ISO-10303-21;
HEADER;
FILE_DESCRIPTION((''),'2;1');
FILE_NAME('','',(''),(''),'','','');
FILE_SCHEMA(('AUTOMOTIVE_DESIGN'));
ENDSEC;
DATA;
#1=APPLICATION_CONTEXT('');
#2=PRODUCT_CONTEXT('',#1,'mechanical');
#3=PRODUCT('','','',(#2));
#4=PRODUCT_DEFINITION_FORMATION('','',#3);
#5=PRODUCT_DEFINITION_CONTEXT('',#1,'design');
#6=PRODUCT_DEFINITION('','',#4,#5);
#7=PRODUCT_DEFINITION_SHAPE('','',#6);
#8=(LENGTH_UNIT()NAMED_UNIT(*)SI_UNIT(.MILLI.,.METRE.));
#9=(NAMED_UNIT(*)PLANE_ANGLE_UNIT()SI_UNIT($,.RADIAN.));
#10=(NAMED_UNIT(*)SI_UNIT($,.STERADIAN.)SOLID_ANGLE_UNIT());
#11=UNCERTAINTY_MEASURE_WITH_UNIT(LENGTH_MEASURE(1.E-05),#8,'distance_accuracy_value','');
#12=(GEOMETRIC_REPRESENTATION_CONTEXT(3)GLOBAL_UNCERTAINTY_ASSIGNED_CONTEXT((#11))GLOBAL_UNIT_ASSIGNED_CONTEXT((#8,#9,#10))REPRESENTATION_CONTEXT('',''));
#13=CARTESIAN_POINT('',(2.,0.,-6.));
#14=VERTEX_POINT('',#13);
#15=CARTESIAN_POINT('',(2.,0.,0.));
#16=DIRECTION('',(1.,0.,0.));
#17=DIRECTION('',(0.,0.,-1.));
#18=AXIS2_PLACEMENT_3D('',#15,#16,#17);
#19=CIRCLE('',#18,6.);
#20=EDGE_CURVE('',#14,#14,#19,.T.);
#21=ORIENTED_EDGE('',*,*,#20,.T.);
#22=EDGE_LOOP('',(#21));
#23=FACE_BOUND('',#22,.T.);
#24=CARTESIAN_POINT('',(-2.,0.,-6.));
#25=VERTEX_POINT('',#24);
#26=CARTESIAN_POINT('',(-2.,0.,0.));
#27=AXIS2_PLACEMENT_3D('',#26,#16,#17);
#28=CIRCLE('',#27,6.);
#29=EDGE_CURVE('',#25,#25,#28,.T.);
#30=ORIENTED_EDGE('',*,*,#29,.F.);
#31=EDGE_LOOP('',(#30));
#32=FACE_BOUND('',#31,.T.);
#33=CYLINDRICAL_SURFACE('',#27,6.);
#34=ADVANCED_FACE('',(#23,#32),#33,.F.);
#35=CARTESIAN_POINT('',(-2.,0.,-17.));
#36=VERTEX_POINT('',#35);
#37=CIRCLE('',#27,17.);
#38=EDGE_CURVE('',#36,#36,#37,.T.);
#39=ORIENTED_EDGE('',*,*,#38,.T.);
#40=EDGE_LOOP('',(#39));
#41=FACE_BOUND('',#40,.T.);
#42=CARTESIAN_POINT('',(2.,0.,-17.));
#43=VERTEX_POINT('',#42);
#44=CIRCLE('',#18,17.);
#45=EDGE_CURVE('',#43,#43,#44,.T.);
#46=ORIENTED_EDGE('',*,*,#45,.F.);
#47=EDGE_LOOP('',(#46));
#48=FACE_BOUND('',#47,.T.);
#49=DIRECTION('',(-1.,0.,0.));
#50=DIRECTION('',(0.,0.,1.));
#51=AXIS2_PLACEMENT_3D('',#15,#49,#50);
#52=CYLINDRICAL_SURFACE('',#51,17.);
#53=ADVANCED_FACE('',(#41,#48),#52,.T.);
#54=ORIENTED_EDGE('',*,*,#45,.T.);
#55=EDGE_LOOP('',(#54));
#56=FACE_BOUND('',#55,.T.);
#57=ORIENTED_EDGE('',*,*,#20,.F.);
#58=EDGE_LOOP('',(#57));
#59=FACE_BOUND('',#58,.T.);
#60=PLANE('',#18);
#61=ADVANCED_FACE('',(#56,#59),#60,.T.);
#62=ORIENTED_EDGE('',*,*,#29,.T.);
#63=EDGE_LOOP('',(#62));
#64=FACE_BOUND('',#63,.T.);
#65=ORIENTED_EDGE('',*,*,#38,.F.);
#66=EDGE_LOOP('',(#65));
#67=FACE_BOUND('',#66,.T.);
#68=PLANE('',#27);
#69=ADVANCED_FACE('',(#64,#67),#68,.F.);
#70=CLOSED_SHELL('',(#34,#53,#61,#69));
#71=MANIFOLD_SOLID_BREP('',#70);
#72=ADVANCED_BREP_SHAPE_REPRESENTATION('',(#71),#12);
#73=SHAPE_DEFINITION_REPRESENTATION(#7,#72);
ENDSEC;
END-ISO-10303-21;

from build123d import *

# Parameters (mm, degrees)
SKETCH1_R               = 17
BOSS_EXTRUDE1_DEPTH     = 2
SKETCH2_R               = 6
CUT_EXTRUDE1_DEPTH      = 3
CUT_EXTRUDE1_DEPTH_BACK = 3


with BuildPart() as part:
    # Sketch1 → Boss-Extrude1 (new body, symmetric)
    with BuildSketch(Plane(origin=(0, 0, 0), x_dir=(0, 0, -1), z_dir=(1, 0, 0))):
        Circle(SKETCH1_R)
    extrude(amount=BOSS_EXTRUDE1_DEPTH, both=True)

    # Sketch2 → Cut-Extrude1 (cut, two sides)
    with BuildSketch(Plane(origin=(0, 0, 0), x_dir=(0, 0, -1), z_dir=(1, 0, 0))) as cut_extrude1_sk:
        Circle(SKETCH2_R)
    extrude(amount=CUT_EXTRUDE1_DEPTH, mode=Mode.SUBTRACT)
    extrude(cut_extrude1_sk.sketch, amount=-CUT_EXTRUDE1_DEPTH_BACK, mode=Mode.SUBTRACT)


solid = part.part
